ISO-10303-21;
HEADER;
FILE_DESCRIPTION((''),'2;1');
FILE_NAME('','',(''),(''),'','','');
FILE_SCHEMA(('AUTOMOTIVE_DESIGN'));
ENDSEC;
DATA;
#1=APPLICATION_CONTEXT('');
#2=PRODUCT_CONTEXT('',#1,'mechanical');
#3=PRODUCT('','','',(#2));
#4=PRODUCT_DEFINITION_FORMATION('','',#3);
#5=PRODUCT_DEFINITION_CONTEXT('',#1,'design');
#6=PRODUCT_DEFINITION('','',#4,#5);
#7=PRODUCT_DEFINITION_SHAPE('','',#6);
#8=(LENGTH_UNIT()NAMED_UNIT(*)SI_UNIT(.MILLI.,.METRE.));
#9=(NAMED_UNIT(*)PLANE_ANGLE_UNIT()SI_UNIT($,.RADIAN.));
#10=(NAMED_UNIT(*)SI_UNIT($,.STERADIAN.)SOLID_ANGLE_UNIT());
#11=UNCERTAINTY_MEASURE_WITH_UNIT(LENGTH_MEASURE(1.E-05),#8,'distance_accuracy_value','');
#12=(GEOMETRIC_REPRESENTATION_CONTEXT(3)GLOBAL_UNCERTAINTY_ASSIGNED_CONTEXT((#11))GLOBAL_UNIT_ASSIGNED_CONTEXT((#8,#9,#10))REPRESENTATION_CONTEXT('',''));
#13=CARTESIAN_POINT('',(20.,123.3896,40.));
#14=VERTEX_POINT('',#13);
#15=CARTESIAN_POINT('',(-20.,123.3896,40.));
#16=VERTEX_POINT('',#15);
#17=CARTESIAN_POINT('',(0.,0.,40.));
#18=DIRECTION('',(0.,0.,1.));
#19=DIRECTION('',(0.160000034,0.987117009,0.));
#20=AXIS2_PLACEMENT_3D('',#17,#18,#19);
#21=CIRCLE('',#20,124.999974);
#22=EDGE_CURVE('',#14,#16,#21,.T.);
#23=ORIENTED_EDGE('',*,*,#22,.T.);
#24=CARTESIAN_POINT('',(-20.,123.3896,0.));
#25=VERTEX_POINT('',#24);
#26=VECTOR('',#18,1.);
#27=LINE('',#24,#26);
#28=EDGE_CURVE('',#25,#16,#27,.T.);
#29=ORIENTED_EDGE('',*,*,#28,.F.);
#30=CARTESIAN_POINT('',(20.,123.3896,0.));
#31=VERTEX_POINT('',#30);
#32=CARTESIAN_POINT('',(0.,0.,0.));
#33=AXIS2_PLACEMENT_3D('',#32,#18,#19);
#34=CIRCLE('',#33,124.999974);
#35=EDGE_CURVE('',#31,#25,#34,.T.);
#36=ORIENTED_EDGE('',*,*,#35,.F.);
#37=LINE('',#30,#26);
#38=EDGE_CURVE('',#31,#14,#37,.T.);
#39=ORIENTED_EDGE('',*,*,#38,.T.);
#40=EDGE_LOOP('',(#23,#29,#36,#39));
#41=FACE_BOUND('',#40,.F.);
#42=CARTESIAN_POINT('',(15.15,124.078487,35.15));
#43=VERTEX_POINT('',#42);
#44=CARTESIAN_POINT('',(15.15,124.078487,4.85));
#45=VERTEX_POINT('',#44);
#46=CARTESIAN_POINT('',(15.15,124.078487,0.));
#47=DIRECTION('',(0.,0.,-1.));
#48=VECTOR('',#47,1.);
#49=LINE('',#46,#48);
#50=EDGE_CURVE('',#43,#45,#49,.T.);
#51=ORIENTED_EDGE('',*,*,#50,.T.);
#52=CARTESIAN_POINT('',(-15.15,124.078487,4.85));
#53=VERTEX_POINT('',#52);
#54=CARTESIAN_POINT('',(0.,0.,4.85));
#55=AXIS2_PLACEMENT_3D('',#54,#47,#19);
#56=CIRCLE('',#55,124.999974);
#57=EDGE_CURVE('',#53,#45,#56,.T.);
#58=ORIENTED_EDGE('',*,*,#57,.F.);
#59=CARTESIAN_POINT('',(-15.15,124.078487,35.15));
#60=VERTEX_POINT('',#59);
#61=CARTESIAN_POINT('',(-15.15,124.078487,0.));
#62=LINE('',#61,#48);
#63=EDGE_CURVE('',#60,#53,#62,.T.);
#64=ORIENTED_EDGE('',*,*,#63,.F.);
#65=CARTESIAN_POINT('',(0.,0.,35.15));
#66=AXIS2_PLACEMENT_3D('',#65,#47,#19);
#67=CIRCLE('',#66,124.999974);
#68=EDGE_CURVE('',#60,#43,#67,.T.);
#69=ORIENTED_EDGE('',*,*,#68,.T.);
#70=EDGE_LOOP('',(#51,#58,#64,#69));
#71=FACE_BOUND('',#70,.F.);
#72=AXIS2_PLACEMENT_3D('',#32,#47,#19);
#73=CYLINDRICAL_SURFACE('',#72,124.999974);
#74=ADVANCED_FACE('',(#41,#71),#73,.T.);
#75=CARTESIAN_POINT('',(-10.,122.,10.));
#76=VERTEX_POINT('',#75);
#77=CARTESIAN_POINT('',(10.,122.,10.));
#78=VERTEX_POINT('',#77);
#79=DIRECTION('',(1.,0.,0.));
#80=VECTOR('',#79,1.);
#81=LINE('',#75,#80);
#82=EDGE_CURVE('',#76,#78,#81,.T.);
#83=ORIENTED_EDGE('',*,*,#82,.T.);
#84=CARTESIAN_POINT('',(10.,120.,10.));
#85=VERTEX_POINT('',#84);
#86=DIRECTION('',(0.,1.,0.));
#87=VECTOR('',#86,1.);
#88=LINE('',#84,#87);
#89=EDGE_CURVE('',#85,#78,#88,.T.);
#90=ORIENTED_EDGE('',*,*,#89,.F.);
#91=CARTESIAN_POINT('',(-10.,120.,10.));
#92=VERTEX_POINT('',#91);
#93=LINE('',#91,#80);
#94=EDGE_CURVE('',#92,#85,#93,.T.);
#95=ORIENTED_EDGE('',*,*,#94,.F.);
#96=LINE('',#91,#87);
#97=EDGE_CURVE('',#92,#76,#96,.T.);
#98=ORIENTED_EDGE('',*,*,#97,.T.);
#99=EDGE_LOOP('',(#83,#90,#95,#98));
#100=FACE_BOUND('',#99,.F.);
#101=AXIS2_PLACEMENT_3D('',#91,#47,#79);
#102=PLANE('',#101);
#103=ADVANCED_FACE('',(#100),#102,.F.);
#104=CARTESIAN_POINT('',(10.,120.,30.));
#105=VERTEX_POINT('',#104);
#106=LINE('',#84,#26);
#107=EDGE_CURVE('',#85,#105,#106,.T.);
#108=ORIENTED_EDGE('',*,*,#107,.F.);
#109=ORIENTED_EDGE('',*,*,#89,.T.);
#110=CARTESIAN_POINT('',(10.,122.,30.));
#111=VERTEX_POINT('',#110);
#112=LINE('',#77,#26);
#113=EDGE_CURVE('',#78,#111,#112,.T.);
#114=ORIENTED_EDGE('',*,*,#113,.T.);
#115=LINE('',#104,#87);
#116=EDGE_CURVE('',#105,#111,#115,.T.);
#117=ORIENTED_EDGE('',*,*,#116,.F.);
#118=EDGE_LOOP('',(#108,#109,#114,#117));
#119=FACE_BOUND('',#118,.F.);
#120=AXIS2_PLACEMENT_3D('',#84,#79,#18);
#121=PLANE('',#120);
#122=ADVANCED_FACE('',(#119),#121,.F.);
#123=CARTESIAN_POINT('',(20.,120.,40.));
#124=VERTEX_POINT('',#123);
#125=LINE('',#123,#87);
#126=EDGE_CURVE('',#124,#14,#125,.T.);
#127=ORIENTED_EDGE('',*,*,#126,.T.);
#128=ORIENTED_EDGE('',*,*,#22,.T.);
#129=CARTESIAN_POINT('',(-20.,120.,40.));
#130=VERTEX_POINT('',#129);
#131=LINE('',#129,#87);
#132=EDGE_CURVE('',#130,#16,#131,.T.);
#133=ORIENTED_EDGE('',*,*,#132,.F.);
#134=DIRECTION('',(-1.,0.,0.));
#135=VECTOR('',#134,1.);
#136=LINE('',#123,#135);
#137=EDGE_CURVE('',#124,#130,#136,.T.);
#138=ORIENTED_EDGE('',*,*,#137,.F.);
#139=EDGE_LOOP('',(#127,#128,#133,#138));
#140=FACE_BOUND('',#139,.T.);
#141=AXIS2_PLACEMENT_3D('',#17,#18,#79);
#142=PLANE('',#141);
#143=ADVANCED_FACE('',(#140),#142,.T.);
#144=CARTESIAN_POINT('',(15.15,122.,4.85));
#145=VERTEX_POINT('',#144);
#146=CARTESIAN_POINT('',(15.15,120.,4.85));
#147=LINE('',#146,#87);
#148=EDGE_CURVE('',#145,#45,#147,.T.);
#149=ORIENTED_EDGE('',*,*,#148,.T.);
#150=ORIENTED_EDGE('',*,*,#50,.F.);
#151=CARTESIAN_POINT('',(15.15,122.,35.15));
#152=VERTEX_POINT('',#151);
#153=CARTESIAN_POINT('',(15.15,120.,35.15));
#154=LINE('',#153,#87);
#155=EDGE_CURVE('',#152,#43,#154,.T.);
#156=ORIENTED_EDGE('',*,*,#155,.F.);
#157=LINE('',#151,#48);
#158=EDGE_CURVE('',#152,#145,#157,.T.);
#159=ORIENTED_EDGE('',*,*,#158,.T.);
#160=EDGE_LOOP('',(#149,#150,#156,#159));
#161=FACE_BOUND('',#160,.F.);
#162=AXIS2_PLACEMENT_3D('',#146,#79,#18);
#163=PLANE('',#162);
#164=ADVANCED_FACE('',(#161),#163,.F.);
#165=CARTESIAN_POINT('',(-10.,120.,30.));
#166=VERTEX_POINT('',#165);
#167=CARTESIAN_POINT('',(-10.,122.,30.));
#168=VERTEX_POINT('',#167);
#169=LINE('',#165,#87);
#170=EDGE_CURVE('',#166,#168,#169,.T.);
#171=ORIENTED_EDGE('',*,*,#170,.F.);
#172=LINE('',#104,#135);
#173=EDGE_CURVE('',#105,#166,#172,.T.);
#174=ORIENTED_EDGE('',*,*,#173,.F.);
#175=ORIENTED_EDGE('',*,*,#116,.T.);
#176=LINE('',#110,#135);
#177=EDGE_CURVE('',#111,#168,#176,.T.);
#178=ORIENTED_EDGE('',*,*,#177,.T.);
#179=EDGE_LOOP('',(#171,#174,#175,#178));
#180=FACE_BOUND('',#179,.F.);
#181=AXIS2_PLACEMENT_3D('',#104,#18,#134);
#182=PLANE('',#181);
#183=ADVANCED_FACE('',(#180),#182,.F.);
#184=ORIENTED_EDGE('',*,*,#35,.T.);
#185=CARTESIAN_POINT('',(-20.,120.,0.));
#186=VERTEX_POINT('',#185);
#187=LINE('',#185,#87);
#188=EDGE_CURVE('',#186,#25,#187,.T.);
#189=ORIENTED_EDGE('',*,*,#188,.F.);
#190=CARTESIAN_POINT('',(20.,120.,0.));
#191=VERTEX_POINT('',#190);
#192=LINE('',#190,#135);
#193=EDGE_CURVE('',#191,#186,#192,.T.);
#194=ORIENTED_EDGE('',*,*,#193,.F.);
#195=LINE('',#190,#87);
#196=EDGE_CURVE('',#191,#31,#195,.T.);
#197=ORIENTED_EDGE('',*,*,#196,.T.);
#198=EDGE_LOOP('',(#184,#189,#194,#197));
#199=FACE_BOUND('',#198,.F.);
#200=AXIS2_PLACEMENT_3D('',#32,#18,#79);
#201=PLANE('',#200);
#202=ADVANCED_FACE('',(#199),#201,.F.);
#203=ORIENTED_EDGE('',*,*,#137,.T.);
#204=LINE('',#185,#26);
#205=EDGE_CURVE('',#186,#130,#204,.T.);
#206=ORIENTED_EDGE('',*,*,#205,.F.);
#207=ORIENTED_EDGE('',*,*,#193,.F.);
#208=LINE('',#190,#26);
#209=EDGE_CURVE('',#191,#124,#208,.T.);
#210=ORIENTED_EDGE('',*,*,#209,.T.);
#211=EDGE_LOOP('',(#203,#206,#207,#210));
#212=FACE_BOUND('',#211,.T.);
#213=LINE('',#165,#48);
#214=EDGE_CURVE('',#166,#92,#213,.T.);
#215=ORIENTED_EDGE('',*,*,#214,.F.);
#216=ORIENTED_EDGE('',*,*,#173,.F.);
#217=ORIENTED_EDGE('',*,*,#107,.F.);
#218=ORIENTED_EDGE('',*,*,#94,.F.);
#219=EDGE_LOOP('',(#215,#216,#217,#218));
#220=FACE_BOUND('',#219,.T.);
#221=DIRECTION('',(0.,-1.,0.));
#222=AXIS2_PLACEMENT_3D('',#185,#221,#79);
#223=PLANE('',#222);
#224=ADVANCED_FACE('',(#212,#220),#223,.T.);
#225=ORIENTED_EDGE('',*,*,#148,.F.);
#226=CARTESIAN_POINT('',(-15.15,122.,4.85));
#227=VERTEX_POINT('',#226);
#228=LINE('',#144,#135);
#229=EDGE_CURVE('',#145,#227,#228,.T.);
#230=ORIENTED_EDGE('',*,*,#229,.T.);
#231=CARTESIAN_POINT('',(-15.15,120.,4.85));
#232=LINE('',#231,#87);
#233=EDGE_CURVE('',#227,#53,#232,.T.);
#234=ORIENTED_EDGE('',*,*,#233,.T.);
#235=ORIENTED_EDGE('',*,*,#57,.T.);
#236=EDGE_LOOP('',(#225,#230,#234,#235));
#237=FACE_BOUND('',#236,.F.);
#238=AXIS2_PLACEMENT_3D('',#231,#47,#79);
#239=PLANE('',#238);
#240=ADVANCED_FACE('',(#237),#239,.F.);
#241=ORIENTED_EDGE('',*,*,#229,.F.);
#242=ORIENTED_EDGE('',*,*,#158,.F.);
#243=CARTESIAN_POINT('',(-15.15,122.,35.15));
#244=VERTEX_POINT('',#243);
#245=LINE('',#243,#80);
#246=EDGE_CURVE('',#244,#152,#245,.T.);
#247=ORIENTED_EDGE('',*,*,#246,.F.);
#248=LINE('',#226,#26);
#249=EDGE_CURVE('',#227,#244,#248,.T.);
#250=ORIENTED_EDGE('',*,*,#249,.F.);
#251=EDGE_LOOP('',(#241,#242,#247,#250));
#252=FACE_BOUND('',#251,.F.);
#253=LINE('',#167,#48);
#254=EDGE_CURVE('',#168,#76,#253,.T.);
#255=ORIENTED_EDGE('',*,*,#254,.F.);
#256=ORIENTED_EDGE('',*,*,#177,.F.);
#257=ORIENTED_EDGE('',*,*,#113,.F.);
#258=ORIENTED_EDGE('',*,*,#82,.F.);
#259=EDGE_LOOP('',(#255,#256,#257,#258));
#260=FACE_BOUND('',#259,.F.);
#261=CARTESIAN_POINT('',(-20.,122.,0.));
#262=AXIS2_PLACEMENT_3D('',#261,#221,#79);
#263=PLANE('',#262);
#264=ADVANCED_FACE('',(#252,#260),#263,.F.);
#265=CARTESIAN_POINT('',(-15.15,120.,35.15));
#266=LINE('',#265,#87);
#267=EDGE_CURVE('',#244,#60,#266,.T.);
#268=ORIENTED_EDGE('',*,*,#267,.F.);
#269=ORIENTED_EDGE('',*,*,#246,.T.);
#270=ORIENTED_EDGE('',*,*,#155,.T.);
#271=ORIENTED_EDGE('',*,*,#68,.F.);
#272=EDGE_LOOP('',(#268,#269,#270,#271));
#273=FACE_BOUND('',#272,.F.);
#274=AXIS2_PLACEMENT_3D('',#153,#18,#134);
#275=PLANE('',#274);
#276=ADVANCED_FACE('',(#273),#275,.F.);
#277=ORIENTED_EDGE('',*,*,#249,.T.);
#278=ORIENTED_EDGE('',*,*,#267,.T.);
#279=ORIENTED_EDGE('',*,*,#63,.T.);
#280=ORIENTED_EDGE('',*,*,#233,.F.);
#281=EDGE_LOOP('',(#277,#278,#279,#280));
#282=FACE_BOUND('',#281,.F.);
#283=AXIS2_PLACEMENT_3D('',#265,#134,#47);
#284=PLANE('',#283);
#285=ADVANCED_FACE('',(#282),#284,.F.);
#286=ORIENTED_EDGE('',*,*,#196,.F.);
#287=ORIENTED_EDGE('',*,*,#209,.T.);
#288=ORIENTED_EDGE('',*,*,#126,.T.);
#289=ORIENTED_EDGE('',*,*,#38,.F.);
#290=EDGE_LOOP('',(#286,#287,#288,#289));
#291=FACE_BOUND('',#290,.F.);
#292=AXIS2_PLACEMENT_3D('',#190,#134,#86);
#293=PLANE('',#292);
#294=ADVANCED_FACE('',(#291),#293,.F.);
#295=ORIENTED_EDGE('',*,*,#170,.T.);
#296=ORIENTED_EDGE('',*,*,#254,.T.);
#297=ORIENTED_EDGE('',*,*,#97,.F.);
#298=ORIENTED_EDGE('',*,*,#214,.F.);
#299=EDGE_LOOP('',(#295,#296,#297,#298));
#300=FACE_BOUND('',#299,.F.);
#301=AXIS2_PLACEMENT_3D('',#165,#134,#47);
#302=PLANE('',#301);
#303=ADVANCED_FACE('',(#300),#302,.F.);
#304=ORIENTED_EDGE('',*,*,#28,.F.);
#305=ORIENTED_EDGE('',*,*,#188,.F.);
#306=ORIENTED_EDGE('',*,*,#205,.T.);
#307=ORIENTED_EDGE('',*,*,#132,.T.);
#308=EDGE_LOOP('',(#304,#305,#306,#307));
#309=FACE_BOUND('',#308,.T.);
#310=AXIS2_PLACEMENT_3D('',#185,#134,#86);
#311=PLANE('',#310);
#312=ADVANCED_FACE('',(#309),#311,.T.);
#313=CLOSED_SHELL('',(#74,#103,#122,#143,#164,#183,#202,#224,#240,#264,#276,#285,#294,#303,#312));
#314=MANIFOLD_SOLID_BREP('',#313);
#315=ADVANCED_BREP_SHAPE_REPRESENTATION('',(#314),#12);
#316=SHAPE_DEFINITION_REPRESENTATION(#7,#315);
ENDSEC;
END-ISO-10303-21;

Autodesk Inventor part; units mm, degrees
ref_plane "YZ Plane" through (0, 0, 0) normal (1, 0, 0) x (0, 1, 0)
ref_plane "XZ Plane" through (0, 0, 0) normal (0, 1, 0) x (-1, 0, 0)
ref_plane "XY Plane" through (0, 0, 0) normal (0, 0, 1) x (1, 0, 0)
sketch "Sketch1" plane through (0, 0, 0) normal (0, 0, 1) x (1, 0, 0)
  arc A0 (20, 123.3896) -> (-20, 123.3896) centre (0, 0) ccw
  line L0 (20, 120) -> (-20, 120)
  line L1 (-20, 120) -> (-20, 123.3896)
  line L2 (20, 120) -> (20, 123.3896)
  line L3 (0, 0) -> (0, 32.1156) construction
  point P0 (0, 125)
  dimension "d0" = 250
  dimension "d1" = 40
  dimension "d2" = 5
extrude "Extrusion1" add sketch "Sketch1" along normal blind 40
sketch "Sketch2" plane through (-20, 120, 0) normal (0, -1, 0) x (1, 0, 0)
  line L0 (4.85, 4.85) -> (35.15, 4.85)
  line L1 (35.15, 4.85) -> (35.15, 35.15)
  line L2 (35.15, 35.15) -> (4.85, 35.15)
  line L3 (4.85, 35.15) -> (4.85, 4.85)
  line L4 (4.85, 4.85) -> (35.15, 35.15) construction
  line L5 (35.15, 4.85) -> (4.85, 35.15) construction
  line L6 (40, 0) -> (40, 40) projected
  line L7 (40, 0) -> (0, 0) projected
  point P0 (20, 0)
  point P1 (20, 20)
  point P2 (40, 20)
  point P3 (20, 0)
  dimension "d6" = 30.3
  dimension "d7" = 30.3
extrude "Extrusion2" cut sketch "Sketch2" against normal blind 30
sketch "Sketch3" plane through (-20, 120, 0) normal (0, -1, 0) x (1, 0, 0)
  line L0 (35.15, 35.15) -> (35.15, 4.85) projected
  line L1 (4.85, 35.15) -> (35.15, 35.15)
  line L2 (35.15, 35.15) -> (35.15, 4.85)
  line L3 (35.15, 4.85) -> (4.85, 4.85)
  line L4 (4.85, 4.85) -> (4.85, 35.15)
  line L5 (4.85, 35.15) -> (35.15, 4.85) construction
  line L6 (35.15, 35.15) -> (4.85, 4.85) construction
  line L7 (10, 10) -> (30, 10)
  line L8 (30, 10) -> (30, 30)
  line L9 (30, 30) -> (10, 30)
  line L10 (10, 30) -> (10, 10)
  line L11 (10, 10) -> (30, 30) construction
  line L12 (30, 10) -> (10, 30) construction
  point P0 (20, 0)
  point P1 (20, 20)
  dimension "d10" = 20
extrude "Extrusion3" add sketch "Sketch3" against normal blind 2
properties part number "cooler_plate_socket" material "Acetal Resin, Black"
